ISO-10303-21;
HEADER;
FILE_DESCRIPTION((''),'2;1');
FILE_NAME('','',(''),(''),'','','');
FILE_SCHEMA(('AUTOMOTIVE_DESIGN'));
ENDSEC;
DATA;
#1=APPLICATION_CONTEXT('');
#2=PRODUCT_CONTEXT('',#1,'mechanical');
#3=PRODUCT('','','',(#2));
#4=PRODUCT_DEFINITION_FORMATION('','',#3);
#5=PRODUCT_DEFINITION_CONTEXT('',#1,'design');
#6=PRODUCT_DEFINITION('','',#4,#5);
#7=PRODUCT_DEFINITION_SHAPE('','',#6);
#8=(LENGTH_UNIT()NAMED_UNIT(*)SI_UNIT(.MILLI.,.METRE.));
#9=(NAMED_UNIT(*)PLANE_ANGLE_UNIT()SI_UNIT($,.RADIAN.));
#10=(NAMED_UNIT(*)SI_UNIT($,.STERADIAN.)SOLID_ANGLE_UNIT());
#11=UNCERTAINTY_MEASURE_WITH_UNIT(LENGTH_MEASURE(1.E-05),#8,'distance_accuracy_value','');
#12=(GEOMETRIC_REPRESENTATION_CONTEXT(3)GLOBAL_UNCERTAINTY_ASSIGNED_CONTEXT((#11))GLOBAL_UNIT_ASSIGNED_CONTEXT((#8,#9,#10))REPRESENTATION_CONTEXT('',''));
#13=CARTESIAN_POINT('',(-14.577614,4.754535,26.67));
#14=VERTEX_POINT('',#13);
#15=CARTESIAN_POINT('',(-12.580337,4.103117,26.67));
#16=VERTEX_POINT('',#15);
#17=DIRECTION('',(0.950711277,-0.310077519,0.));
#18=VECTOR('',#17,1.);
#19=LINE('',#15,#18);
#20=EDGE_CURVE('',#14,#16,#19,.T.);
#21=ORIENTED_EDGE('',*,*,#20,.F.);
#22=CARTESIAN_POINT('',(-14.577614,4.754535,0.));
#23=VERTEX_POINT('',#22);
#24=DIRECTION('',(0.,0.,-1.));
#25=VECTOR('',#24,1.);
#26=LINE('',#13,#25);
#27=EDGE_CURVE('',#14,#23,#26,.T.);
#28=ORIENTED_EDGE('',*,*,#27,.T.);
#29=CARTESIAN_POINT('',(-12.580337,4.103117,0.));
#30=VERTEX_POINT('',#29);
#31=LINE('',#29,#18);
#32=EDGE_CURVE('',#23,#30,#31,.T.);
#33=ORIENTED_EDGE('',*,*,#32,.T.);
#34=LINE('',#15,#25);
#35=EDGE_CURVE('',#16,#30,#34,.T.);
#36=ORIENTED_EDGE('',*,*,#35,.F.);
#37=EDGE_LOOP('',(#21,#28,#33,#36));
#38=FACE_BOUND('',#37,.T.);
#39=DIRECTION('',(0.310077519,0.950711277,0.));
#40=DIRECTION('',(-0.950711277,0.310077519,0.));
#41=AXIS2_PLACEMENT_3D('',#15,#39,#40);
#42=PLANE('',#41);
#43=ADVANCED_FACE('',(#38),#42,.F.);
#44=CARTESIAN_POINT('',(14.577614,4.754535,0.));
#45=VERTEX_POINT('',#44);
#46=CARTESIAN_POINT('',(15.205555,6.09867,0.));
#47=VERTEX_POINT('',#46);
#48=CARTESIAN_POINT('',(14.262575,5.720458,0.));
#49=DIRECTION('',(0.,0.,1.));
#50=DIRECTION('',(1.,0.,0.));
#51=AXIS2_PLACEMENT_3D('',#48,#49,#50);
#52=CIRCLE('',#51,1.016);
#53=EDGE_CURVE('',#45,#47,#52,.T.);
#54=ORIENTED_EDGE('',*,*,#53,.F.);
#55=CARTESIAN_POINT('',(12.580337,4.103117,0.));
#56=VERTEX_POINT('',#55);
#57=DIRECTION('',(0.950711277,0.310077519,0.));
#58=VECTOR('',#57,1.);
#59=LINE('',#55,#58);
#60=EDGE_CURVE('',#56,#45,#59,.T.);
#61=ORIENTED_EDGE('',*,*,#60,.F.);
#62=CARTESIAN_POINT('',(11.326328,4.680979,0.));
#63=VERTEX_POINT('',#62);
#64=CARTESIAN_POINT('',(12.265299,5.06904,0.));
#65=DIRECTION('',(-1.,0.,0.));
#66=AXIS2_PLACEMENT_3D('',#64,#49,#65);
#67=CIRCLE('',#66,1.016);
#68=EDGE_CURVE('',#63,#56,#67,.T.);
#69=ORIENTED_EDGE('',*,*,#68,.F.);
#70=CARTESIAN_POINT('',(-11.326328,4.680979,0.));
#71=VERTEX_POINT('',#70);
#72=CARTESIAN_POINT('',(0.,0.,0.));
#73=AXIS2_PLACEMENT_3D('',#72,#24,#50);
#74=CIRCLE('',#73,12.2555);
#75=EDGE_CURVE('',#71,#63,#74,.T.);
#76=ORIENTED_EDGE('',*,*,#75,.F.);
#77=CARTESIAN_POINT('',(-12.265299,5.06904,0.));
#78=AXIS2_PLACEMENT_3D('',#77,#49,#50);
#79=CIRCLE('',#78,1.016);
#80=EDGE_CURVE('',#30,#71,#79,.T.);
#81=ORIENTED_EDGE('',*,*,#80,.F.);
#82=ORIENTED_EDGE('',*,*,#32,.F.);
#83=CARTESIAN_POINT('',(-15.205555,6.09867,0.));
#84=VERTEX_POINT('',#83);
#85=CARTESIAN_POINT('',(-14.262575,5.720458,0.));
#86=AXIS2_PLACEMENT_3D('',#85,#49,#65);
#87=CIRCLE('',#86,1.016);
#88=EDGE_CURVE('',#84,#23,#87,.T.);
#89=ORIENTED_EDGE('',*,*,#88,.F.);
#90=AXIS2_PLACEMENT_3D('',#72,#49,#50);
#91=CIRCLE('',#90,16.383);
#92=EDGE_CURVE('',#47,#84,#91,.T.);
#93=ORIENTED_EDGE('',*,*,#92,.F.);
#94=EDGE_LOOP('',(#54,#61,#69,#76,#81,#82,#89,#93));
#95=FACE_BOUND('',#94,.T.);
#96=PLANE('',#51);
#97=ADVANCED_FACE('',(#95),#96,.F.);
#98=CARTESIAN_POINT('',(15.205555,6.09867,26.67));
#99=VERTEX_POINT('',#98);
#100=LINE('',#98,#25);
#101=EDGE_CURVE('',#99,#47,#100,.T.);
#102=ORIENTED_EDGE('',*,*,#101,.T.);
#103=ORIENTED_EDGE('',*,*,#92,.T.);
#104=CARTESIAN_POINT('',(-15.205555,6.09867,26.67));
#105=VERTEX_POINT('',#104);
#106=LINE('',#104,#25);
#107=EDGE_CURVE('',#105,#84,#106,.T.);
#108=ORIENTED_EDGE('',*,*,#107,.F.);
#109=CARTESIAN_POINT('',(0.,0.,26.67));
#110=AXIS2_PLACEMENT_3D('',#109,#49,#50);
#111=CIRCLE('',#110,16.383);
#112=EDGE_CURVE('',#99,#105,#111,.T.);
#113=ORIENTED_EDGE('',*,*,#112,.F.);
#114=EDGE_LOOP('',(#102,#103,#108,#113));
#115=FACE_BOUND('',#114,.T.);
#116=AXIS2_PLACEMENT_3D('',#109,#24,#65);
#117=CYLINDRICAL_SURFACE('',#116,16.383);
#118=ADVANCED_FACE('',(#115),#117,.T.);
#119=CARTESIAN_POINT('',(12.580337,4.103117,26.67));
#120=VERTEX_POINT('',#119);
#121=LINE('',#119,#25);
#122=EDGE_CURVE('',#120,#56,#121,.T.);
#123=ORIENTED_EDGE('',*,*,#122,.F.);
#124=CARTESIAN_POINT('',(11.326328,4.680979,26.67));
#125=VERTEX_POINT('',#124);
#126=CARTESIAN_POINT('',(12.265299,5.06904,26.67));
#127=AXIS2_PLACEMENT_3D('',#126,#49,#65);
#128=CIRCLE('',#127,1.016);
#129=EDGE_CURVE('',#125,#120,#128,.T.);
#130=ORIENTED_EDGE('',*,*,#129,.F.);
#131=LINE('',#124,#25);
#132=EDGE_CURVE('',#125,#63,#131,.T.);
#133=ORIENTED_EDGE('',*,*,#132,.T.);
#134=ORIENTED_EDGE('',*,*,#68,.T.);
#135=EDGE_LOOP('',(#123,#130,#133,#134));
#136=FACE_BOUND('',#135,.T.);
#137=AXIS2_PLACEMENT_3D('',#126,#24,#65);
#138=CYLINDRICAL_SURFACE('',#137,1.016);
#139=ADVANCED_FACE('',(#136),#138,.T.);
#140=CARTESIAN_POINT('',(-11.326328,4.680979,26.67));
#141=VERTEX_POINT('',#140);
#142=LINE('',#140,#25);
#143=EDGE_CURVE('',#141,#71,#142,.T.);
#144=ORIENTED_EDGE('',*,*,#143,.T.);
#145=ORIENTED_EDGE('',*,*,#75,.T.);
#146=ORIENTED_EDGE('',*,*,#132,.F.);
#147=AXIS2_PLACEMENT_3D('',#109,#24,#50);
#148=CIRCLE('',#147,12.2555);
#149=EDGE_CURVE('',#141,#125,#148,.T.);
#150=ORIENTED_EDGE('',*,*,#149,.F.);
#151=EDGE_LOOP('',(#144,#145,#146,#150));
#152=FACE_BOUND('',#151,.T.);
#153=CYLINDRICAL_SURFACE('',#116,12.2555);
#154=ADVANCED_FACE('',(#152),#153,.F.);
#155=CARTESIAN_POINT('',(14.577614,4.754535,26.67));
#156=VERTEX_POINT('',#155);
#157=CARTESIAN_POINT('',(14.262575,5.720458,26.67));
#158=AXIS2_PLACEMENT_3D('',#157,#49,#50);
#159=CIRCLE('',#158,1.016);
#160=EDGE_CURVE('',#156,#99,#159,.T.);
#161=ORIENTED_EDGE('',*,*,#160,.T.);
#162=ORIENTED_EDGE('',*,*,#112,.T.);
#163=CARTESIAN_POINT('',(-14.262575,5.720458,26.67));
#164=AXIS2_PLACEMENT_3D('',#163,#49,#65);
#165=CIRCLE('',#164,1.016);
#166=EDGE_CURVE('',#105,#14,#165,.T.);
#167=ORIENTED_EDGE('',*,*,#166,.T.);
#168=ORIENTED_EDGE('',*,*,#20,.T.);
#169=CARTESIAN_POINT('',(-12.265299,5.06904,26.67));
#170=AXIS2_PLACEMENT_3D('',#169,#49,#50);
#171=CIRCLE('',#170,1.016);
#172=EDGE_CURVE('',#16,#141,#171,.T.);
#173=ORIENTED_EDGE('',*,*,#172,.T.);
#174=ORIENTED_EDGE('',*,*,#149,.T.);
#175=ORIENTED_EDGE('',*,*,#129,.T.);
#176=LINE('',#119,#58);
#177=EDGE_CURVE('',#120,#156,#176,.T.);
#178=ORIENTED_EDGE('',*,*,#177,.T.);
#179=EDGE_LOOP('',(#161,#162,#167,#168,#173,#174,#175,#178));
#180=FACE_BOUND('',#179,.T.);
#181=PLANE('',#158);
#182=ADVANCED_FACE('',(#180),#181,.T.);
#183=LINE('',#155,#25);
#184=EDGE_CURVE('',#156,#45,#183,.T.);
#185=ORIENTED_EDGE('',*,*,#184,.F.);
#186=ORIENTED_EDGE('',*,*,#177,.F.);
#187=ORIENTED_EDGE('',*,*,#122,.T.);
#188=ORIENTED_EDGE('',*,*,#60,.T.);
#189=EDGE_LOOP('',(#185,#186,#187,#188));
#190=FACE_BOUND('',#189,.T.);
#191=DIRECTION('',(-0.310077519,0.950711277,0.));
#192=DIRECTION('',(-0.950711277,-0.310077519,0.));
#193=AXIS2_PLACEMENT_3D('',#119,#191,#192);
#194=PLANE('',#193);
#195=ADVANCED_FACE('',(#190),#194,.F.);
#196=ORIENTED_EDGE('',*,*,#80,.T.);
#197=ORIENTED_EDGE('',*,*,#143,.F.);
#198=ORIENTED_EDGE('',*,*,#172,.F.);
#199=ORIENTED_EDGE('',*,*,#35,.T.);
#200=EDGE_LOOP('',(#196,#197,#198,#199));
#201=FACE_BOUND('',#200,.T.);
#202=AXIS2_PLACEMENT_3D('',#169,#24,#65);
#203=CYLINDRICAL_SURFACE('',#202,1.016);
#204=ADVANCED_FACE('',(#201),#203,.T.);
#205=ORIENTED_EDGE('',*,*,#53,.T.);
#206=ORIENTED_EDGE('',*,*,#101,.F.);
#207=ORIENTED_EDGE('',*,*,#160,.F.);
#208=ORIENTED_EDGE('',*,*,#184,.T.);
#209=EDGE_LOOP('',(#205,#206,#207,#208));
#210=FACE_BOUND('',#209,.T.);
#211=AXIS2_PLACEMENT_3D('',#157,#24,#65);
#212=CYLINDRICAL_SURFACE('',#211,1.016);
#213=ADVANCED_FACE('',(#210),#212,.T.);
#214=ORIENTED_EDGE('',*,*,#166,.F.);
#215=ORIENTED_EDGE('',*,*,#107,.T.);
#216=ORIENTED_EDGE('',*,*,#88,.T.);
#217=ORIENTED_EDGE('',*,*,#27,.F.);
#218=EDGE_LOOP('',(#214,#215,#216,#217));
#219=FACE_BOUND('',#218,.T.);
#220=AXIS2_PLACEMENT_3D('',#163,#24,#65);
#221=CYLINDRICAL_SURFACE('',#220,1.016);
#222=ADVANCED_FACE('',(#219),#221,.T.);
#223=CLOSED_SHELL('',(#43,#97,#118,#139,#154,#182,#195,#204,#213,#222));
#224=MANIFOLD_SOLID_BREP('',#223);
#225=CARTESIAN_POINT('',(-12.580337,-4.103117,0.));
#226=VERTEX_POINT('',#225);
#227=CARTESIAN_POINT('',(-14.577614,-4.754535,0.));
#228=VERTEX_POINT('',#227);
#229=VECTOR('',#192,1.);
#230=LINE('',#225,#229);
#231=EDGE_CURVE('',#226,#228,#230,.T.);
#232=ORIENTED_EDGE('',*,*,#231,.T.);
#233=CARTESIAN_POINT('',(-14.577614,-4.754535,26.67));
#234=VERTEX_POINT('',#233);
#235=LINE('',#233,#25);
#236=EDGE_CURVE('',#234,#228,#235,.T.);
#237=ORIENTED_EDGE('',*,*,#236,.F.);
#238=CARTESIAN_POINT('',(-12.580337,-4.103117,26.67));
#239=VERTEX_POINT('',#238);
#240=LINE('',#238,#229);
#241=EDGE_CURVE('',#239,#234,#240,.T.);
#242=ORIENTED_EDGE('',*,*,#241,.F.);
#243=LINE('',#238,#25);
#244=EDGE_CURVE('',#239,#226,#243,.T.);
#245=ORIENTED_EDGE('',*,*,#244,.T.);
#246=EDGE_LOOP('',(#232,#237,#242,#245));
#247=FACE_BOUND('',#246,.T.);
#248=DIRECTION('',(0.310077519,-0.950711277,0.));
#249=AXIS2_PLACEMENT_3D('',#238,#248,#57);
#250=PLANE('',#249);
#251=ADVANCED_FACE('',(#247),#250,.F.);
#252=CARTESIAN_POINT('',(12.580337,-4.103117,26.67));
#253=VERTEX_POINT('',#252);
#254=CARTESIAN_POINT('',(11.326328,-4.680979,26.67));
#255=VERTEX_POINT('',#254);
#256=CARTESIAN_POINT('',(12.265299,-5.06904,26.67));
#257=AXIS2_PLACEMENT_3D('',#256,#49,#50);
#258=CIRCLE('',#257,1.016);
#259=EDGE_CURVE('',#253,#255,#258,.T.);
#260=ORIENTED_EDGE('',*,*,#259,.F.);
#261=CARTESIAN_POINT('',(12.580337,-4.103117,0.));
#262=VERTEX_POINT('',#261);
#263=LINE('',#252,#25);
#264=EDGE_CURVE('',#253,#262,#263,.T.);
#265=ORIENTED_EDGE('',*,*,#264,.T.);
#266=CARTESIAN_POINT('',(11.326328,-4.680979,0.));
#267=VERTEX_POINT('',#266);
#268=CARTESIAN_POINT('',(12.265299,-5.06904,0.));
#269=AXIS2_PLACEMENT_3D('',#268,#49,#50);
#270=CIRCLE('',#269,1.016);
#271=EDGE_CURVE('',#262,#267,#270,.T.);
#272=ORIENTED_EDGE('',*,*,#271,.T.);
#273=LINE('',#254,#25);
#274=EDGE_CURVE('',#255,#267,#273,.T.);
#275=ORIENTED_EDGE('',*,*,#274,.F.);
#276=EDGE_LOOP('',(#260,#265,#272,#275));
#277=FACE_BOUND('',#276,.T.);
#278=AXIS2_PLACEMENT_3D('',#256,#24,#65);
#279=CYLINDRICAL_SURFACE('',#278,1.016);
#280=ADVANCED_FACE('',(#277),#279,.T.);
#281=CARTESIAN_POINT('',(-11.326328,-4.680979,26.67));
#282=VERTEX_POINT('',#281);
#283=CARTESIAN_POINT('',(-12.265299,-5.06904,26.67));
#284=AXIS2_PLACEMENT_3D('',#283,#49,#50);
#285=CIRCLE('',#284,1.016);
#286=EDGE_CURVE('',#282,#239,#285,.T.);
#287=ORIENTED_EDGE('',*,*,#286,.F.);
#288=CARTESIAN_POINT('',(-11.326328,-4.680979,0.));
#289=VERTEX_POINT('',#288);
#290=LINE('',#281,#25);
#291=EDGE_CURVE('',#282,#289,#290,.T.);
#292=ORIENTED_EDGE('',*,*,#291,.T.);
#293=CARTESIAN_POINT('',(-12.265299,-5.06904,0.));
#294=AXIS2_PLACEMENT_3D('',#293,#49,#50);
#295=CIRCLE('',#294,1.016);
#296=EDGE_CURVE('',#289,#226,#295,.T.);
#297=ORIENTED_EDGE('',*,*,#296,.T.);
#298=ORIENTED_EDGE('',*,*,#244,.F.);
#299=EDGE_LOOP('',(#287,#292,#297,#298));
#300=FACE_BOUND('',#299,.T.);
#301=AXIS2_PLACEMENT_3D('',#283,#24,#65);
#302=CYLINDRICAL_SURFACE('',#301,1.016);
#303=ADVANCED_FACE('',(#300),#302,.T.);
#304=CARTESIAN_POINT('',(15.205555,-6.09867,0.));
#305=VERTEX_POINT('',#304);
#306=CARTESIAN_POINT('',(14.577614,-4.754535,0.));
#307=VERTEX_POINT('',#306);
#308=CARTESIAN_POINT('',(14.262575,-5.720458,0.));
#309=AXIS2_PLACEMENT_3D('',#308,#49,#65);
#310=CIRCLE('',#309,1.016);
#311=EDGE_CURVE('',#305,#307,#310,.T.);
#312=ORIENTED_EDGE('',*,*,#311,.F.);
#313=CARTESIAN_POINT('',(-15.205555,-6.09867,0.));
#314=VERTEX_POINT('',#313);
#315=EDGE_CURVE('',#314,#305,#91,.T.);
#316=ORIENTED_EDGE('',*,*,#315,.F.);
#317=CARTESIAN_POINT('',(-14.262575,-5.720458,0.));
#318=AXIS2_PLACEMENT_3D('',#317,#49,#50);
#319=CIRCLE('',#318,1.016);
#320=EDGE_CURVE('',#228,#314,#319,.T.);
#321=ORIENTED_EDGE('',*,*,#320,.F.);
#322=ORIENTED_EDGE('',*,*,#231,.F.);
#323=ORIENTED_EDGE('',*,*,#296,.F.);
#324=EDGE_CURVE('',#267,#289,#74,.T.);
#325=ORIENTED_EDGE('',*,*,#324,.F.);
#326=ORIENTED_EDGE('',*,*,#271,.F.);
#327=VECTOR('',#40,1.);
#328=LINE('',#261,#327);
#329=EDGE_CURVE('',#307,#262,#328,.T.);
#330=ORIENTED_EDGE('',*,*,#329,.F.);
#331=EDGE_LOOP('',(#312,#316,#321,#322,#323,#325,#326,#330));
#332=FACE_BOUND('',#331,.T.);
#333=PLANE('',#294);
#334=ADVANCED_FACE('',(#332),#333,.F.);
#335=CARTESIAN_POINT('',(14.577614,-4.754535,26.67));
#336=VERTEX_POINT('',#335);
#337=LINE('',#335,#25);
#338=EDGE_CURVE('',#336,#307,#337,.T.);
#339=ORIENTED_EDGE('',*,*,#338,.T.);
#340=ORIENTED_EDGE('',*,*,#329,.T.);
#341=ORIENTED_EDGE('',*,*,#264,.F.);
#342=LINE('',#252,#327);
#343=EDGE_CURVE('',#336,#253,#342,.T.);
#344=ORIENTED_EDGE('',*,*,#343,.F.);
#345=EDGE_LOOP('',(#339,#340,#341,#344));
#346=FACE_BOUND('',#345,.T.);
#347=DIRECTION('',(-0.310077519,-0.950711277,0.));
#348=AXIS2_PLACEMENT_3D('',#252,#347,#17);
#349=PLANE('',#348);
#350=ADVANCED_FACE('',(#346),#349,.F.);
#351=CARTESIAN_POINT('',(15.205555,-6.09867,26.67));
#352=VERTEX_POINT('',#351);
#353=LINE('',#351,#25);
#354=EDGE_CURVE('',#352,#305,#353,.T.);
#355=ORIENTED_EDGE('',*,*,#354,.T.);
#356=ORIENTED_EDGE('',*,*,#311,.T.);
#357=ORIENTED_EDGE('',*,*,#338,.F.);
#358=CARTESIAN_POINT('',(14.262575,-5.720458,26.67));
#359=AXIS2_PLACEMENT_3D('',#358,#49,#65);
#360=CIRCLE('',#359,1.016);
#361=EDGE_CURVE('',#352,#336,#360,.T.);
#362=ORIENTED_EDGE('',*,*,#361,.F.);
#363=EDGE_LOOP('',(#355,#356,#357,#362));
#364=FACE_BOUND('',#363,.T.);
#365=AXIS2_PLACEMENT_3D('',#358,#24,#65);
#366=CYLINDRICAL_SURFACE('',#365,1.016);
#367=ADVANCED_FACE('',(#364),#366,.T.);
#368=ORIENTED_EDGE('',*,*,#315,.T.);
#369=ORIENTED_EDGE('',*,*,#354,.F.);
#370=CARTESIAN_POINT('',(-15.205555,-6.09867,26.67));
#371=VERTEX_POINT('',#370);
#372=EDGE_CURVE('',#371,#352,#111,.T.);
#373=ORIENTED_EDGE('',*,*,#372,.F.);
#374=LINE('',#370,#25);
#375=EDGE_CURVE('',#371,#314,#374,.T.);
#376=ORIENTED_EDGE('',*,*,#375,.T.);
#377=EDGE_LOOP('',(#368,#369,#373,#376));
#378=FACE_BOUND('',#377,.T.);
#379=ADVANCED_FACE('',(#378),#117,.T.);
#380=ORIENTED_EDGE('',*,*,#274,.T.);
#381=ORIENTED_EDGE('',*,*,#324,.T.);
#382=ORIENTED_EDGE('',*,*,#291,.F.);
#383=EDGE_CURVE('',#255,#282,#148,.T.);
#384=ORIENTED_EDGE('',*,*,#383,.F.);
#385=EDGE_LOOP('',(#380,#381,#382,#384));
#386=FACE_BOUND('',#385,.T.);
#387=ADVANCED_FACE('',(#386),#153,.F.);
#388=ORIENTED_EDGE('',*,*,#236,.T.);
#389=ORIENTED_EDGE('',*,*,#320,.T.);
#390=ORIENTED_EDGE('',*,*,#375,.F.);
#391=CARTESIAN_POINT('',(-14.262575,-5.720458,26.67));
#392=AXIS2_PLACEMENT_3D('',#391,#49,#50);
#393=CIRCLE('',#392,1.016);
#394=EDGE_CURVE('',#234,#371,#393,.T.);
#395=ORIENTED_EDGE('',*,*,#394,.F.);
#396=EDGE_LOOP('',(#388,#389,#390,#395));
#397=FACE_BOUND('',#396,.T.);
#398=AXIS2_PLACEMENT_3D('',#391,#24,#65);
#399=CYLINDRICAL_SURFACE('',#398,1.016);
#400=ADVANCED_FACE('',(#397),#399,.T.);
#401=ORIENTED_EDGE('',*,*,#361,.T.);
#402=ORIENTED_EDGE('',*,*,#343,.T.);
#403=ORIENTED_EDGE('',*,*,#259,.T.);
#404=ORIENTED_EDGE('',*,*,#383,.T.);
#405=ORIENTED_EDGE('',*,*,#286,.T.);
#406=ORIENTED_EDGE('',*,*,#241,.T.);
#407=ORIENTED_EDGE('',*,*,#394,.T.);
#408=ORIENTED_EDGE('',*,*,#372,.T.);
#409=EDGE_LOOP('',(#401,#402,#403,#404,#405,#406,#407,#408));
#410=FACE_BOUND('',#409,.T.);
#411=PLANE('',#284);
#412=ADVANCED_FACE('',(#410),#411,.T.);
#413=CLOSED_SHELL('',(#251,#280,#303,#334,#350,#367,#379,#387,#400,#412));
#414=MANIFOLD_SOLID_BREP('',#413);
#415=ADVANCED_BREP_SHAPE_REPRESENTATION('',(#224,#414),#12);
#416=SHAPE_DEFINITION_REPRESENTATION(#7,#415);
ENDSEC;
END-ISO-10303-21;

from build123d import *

# Parameters (mm, degrees)
BOSS_EXTRUDE1_DEPTH   = 26.67
BOSS_EXTRUDE1_2_DEPTH = 26.67


with BuildPart() as part:
    # Sketch1 → Boss-Extrude1 (new body)
    with BuildSketch(Plane.XY):
        with BuildLine():
            Line((-12.580337264, 4.103117178), (-14.577613892, 4.75453533))
            ThreePointArc((-14.577613892, 4.75453533), (-15.183079054, 5.290424814), (-15.205555307, 6.098670085))
            ThreePointArc((-15.205555307, 6.098670085), (0, 16.383), (15.205555307, 6.098670085))
            ThreePointArc((15.205555307, 6.098670085), (15.183079054, 5.290424814), (14.577613892, 4.75453533))
            Line((14.577613892, 4.75453533), (12.580337264, 4.103117178))
            ThreePointArc((12.580337264, 4.103117178), (11.840088209, 4.146298157), (11.326328284, 4.68097937))
            ThreePointArc((11.326328284, 4.68097937), (0, 12.2555), (-11.326328284, 4.68097937))
            ThreePointArc((-11.326328284, 4.68097937), (-11.840088209, 4.146298157), (-12.580337264, 4.103117178))
        make_face()
    extrude(amount=BOSS_EXTRUDE1_DEPTH)


with BuildPart() as body_2:
    # Sketch1 → Boss-Extrude1 2 (new body)
    with BuildSketch(Plane.XY):
        with BuildLine():
            Line((12.580337264, -4.103117178), (14.577613892, -4.75453533))
            ThreePointArc((14.577613892, -4.75453533), (15.183079054, -5.290424814), (15.205555307, -6.098670085))
            ThreePointArc((15.205555307, -6.098670085), (0, -16.383), (-15.205555307, -6.098670085))
            ThreePointArc((-15.205555307, -6.098670085), (-15.183079054, -5.290424814), (-14.577613892, -4.75453533))
            Line((-14.577613892, -4.75453533), (-12.580337264, -4.103117178))
            ThreePointArc((-12.580337264, -4.103117178), (-11.840088209, -4.146298157), (-11.326328284, -4.68097937))
            ThreePointArc((-11.326328284, -4.68097937), (0, -12.2555), (11.326328284, -4.68097937))
            ThreePointArc((11.326328284, -4.68097937), (11.840088209, -4.146298157), (12.580337264, -4.103117178))
        make_face()
    extrude(amount=BOSS_EXTRUDE1_2_DEPTH)


solid = Compound([part.part, body_2.part])
